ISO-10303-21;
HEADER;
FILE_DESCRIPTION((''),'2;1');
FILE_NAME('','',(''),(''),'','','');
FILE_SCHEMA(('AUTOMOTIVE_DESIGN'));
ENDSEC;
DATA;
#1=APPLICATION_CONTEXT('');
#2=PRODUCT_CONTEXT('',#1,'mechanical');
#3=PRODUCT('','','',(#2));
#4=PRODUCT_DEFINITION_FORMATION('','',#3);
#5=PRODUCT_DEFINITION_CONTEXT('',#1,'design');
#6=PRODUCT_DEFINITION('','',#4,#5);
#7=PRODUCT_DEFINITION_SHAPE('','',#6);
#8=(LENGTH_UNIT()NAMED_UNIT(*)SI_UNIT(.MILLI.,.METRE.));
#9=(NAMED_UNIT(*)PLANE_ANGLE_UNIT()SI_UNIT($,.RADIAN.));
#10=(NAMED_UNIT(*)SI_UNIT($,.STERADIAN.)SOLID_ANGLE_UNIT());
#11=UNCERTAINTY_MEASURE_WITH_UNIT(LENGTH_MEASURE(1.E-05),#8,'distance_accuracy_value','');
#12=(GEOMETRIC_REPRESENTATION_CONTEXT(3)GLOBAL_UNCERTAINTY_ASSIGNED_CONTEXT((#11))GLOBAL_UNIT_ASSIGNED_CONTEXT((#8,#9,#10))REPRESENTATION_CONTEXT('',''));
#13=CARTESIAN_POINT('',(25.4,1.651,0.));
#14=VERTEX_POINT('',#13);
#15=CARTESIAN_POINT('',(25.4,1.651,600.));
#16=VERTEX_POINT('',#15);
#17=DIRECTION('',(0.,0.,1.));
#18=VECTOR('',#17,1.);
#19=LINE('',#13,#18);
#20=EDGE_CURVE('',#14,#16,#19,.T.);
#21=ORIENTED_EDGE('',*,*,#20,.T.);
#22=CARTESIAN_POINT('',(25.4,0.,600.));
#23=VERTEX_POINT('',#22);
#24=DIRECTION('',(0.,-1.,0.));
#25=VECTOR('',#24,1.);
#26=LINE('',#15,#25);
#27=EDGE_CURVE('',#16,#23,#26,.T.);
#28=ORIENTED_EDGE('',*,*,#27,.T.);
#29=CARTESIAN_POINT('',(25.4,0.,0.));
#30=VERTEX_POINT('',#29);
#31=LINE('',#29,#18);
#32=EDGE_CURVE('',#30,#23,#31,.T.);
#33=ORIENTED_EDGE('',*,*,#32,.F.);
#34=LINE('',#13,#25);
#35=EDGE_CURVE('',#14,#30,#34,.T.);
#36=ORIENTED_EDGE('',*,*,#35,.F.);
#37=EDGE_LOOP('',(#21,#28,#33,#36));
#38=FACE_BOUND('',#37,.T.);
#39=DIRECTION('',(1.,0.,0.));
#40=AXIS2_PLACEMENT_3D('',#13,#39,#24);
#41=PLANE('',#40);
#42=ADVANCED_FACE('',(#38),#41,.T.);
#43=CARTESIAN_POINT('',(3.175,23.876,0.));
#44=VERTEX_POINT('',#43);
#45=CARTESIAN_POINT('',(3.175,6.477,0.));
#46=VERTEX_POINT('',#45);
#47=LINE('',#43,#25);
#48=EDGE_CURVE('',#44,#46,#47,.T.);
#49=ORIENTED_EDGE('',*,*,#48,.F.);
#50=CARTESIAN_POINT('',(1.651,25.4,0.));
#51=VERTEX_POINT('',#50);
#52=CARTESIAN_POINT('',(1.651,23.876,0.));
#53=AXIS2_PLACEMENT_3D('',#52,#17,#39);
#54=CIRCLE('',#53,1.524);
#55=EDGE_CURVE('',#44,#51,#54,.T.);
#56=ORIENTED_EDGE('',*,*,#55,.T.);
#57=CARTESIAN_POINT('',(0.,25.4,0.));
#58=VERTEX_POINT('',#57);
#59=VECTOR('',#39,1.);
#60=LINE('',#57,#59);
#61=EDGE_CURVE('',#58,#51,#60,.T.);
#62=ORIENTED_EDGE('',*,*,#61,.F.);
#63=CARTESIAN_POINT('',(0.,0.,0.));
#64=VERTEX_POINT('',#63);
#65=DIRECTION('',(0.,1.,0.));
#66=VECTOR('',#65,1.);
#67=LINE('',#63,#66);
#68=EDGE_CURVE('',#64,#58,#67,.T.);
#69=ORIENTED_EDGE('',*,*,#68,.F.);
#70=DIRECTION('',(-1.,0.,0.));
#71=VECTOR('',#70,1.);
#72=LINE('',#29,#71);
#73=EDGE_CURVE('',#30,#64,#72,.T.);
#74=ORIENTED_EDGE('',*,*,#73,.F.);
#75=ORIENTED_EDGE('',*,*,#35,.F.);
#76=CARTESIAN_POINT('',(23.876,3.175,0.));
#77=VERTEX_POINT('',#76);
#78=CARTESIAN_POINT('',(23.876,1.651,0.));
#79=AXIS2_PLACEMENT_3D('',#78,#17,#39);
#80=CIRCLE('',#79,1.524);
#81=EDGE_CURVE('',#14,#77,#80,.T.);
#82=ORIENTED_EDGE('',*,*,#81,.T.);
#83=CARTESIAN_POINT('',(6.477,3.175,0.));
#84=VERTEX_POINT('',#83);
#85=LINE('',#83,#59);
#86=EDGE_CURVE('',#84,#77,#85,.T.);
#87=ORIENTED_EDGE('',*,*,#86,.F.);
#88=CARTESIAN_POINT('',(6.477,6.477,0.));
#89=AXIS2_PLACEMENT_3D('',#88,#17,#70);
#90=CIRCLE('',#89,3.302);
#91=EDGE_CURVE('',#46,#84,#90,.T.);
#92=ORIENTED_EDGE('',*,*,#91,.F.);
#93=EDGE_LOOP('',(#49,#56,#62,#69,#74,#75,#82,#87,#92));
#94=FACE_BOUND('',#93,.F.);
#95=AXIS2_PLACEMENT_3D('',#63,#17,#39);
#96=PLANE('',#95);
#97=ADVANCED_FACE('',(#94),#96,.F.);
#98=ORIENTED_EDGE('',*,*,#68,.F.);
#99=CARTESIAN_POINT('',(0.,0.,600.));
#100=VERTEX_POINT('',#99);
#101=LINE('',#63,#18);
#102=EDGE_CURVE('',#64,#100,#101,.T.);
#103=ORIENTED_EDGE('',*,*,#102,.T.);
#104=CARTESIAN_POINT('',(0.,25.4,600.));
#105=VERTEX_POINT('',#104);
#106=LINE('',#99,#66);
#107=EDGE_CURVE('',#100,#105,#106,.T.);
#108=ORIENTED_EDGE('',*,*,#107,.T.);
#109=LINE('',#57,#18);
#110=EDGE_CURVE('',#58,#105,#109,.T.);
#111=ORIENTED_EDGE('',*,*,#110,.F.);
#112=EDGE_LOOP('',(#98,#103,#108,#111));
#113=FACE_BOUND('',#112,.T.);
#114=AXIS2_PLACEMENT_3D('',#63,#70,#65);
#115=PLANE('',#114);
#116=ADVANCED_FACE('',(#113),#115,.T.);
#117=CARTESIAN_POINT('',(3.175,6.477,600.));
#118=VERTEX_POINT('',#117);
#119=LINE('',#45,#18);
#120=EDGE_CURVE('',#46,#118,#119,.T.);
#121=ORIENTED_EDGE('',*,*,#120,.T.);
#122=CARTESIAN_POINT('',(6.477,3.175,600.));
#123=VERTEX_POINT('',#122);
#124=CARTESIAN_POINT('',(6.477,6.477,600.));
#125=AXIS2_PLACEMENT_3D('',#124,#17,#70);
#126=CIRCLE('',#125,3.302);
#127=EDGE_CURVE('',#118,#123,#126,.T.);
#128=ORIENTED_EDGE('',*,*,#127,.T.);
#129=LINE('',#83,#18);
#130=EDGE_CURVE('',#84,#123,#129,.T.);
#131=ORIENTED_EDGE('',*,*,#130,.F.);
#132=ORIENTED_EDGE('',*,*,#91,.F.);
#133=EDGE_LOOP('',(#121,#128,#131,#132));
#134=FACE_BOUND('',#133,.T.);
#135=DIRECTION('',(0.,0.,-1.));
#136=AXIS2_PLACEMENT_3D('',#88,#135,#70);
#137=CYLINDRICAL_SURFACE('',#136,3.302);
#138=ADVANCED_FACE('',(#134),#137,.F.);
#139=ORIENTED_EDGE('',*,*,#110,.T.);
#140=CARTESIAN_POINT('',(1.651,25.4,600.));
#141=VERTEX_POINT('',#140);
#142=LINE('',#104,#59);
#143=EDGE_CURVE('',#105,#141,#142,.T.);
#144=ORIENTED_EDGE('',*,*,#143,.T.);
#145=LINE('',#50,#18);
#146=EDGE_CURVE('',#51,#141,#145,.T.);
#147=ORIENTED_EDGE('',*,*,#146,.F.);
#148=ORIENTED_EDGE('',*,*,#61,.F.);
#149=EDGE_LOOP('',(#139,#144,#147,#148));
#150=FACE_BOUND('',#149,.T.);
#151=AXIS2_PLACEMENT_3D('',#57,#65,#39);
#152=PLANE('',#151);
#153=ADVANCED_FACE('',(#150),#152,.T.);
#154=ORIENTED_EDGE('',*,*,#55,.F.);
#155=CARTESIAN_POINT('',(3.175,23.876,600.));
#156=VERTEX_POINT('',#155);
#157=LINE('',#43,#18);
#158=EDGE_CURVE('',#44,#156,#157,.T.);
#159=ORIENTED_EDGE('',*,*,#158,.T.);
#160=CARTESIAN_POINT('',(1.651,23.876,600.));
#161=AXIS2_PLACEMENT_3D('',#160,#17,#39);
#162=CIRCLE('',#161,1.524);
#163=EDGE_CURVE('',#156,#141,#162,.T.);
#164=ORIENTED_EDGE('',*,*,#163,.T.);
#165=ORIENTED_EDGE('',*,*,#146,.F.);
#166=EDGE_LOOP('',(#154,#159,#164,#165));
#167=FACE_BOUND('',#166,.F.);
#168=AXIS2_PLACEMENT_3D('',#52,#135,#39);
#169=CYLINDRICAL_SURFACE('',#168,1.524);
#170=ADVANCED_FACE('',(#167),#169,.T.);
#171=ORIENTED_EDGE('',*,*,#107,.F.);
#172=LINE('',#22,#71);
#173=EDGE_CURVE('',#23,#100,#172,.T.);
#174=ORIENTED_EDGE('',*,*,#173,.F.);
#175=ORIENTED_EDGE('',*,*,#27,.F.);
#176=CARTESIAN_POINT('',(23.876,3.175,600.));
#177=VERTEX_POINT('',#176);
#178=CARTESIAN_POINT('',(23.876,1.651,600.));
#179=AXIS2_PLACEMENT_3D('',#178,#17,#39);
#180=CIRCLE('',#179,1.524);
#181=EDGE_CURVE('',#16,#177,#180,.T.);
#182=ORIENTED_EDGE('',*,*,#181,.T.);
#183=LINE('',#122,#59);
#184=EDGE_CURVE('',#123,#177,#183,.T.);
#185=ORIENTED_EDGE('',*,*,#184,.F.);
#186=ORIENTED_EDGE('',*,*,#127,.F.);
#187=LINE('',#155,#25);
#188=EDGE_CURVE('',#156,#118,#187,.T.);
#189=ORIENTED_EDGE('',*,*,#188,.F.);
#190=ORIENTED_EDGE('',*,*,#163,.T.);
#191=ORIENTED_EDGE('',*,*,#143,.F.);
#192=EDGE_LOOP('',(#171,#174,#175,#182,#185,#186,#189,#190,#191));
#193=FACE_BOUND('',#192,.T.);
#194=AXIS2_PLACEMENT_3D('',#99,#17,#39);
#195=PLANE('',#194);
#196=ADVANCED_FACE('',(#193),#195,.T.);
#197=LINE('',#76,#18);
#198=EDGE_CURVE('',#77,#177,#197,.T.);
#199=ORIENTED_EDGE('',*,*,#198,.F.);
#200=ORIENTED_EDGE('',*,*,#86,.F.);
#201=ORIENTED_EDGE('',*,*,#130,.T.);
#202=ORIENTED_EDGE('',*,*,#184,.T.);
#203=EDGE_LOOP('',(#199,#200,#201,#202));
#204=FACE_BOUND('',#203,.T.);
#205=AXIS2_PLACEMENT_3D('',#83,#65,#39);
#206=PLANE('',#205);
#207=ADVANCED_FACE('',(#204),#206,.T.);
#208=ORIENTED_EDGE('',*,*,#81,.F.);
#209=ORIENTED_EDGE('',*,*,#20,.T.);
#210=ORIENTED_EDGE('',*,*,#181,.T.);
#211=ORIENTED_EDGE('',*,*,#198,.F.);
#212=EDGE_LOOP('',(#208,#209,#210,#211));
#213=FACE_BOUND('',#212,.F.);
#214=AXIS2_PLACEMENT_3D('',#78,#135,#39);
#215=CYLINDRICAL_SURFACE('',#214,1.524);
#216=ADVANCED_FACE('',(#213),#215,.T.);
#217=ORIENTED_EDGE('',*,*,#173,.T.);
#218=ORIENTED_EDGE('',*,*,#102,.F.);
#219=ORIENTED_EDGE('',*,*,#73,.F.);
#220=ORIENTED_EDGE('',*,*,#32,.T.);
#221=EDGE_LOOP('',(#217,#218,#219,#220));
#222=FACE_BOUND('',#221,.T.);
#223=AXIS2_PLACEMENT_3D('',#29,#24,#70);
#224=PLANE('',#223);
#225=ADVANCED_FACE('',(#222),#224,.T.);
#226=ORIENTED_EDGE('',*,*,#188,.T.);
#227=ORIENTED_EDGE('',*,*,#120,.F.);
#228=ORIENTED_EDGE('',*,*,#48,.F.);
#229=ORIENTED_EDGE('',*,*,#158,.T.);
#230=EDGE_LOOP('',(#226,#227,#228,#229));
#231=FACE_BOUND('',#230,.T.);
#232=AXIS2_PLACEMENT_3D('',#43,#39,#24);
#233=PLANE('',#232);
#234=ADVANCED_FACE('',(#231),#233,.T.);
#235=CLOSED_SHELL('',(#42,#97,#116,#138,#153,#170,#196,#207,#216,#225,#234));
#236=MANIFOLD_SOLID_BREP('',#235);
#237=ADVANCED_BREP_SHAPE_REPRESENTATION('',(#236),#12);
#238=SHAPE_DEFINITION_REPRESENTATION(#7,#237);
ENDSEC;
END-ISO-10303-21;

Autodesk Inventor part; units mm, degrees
ref_plane "YZ Plane" through (0, 0, 0) normal (1, 0, 0) x (0, 1, 0)
ref_plane "Start Plane" through (0, 0, 0) normal (0, 0, 1) x (1, 0, 0)
ref_plane "End Plane" through (0, 0, 600) normal (0, 0, 1) x (1, 0, 0)
sketch "Sketch" plane through (0, 0, 0) normal (0, 0, 1) x (1, 0, 0)
  line L0 (25.4, 0) -> (0, 0)
  line L1 (0, 0) -> (0, 25.4)
  line L2 (0, 25.4) -> (1.651, 25.4)
  line L3 (3.175, 23.876) -> (3.175, 6.477)
  line L4 (6.477, 3.175) -> (23.876, 3.175)
  line L5 (25.4, 1.651) -> (25.4, 0)
  line L6 (0, -11.0414) -> (0, 31.5385) construction
  line L7 (-11.0414, 0) -> (31.5385, 0) construction
  arc A0 (3.175, 6.477) -> (6.477, 3.175) centre (6.477, 6.477) ccw
  arc A1 (3.175, 23.876) -> (1.651, 25.4) centre (1.651, 23.876) ccw
  arc A2 (25.4, 1.651) -> (23.876, 3.175) centre (23.876, 1.651) ccw
  line L8 (0, 40.0545) -> (0, -19.5574) construction
  line L9 (-19.5574, 0) -> (40.0545, 0) construction
  point P0 (3.175, 25.4)
  point P1 (3.175, 3.175)
  point P2 (25.4, 3.175)
  dimension "d0" = 25.4
  dimension "d1" = 25.4
  dimension "d2" = 3.175
  dimension "d3" = 3.175
  dimension "d10" = 0
  dimension "d11" = 0
  dimension "d14" = 3.302
  dimension "d15" = 1.524
extrude "Body" add sketch "Sketch" along normal up to surface (600 mm away) from surface at 0
sketch "Sketch3" plane through (0, 0, 0) normal (0, 0, 1) x (1, 0, 0)
  line L0 (0, 0) -> (10, 0)
ref_plane "Work Plane3" through (0, 0, 0) normal (0, -1, 0) x (1, 0, 0)
sketch "Sketch4" plane through (0, 0, 0) normal (0, -1, 0) x (1, 0, 0)
  line L0 (-2, 0) -> (12, 0) projected
  line L1 (-2, 600) -> (12, 600) projected
  dimension "d17" = 600
equation "\"d0\" = G_H"
equation "\"d1\" = G_H"
equation "\"d2\" = G_T"
equation "\"d3\" = G_T"
equation "\"d14\" = G_IR"
equation "\"d15\" = G_ER"
equation "\"d4\" = G_L"
equation "\"G_H\" = 25.4"
equation "\"G_T\" = 3.175"
equation "\"G_ER\" = 1.524"
equation "\"G_IR\" = 3.302"
equation "\"G_L\" = d17"
equation "\"ex\" = 0"
equation "\"G_OFFSET_START\" = 0"
equation "\"G_OFFSET_END\" = 0"
equation "\"d13\" = G_OFFSET_END + B_L"
equation "\"B_L\" = 600"
properties part number "AISC - L 1 x 1 x 1/8 - 23.622" material "Steel, Mild"
